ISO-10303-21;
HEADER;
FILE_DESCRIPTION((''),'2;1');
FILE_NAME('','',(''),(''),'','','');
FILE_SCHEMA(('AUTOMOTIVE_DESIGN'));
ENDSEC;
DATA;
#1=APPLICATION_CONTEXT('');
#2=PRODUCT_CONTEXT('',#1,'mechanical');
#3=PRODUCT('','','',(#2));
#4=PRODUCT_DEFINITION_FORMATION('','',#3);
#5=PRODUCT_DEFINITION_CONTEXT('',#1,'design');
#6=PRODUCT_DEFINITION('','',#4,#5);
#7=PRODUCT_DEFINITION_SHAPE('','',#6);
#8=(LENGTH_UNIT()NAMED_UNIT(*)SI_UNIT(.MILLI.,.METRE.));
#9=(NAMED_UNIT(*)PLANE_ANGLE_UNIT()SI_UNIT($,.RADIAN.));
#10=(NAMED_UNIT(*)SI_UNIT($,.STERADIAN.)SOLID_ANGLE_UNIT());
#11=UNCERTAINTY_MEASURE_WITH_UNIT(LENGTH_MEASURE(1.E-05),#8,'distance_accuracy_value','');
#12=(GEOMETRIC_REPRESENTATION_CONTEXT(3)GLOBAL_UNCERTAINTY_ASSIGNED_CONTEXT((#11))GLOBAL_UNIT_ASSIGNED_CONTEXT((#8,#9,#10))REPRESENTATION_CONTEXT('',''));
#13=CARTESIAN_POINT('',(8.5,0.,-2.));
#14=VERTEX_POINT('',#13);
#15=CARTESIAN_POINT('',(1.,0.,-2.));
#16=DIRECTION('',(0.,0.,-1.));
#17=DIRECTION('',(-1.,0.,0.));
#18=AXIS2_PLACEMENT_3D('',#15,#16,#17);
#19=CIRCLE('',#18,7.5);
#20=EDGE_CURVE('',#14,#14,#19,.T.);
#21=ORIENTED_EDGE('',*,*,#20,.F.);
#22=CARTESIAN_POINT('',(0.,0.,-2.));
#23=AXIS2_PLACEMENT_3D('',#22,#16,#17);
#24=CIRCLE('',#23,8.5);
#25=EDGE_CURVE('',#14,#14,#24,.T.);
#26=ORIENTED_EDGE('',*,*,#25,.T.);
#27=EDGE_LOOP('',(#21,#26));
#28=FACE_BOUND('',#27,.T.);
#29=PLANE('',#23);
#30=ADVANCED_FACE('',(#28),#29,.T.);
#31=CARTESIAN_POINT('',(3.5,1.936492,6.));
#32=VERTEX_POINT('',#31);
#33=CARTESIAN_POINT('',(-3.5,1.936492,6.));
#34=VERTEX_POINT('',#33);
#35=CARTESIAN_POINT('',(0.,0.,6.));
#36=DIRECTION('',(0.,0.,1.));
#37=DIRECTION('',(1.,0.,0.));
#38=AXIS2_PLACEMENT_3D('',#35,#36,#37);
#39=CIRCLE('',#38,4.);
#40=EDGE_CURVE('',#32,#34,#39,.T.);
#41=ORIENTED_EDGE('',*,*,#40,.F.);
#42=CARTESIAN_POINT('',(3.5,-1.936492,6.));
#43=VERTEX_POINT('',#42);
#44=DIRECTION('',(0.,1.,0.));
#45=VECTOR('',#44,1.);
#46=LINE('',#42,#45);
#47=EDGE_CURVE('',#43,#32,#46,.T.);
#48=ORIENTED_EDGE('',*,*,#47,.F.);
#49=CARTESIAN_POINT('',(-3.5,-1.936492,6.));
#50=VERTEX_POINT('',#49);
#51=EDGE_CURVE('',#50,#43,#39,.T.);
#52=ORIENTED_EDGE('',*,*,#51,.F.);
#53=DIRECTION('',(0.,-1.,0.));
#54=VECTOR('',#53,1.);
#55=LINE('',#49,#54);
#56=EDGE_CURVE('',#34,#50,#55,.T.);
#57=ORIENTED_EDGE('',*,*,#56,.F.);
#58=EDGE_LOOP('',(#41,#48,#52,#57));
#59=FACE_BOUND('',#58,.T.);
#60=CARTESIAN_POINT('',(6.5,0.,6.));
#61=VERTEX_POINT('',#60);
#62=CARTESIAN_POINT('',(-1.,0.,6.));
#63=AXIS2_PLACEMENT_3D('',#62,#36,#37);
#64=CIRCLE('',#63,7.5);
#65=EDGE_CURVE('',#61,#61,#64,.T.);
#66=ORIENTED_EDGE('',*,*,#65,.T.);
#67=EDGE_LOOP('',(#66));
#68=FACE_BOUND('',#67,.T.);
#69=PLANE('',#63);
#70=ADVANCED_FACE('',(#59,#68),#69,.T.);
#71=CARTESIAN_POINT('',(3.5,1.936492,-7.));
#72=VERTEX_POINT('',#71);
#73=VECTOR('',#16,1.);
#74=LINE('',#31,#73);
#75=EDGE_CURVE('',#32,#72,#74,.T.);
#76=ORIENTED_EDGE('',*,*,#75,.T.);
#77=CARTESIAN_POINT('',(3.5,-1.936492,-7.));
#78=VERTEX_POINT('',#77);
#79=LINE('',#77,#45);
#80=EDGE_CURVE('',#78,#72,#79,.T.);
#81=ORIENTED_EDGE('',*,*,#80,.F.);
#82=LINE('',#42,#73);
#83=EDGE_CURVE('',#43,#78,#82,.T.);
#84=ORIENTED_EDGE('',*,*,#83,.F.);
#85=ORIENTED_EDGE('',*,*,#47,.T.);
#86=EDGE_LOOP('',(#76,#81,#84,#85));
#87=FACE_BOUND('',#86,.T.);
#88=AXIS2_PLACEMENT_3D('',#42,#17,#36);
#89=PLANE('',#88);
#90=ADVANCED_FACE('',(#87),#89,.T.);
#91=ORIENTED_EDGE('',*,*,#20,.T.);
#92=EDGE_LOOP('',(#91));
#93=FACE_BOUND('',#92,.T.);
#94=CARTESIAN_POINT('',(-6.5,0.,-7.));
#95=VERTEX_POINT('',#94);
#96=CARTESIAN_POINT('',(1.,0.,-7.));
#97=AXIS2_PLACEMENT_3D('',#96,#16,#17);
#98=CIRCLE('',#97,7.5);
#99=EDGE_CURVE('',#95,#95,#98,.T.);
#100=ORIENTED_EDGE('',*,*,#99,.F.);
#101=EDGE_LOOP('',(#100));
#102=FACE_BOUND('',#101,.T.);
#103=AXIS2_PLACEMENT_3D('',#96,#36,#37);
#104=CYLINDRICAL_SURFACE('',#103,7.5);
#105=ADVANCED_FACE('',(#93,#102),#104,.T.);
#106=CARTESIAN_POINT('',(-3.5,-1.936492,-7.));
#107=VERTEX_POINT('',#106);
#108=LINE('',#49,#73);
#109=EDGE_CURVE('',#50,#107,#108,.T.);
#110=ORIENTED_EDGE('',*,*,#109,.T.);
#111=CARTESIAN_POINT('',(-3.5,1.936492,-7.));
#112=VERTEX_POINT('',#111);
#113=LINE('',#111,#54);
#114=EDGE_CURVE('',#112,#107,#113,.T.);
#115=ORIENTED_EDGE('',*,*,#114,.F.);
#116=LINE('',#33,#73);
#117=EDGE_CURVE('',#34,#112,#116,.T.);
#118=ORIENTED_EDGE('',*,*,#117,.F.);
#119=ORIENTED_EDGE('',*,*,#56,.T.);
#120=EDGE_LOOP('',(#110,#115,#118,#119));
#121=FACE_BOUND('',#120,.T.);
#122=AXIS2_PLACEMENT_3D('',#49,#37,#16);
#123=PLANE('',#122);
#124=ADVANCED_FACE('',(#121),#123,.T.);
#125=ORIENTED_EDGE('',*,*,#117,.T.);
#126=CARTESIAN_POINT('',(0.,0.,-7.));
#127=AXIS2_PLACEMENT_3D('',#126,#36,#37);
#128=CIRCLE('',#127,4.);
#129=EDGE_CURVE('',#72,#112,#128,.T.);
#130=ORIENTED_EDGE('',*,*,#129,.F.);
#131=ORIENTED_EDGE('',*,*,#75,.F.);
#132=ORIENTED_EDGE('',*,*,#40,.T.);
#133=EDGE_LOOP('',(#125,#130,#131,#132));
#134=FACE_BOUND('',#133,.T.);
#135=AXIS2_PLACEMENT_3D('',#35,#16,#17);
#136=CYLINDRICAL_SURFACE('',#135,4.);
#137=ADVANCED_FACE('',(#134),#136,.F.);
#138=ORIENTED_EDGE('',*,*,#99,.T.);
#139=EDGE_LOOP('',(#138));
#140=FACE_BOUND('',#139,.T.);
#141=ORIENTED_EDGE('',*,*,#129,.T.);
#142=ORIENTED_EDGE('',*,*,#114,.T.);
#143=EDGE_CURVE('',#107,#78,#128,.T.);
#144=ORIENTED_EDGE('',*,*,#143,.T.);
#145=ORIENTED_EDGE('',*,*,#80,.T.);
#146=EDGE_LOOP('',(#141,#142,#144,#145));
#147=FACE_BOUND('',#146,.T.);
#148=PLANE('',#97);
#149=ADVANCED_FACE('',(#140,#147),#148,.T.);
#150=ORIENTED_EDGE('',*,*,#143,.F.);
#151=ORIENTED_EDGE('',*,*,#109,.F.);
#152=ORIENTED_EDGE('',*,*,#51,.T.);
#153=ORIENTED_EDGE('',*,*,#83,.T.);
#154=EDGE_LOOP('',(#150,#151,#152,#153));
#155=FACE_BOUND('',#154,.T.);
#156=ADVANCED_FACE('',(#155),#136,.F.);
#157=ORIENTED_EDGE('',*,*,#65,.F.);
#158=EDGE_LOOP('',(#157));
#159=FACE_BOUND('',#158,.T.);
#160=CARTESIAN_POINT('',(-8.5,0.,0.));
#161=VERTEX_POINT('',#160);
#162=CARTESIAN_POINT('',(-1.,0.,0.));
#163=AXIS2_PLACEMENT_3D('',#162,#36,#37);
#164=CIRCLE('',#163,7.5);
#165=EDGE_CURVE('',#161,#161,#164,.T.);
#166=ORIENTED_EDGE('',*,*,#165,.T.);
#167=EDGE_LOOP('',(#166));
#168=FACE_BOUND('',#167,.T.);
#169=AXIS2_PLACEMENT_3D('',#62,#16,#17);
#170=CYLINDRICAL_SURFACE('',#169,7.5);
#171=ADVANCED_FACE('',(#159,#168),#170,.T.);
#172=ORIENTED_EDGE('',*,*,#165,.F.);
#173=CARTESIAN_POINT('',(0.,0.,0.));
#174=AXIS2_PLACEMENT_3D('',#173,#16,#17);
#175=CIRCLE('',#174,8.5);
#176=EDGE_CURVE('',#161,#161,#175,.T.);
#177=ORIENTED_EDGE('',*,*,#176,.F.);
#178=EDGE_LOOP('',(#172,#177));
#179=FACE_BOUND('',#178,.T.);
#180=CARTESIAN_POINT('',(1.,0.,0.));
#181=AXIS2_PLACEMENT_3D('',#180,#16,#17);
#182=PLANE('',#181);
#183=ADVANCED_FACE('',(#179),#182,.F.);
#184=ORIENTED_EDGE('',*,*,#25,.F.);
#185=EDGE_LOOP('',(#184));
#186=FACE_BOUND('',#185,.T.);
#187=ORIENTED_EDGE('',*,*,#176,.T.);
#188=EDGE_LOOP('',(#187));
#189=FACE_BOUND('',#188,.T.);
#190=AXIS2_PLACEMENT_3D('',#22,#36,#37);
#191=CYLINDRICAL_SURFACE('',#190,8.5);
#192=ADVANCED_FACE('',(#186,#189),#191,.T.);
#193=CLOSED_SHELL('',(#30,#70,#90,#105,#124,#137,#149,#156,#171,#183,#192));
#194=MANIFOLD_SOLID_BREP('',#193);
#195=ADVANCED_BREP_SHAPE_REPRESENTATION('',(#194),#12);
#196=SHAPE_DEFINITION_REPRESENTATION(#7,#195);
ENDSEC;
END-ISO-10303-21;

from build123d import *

# Parameters (mm, degrees)
SKETCH1_R           = 7.5
BOSS_EXTRUDE1_DEPTH = 6
SKETCH2_R           = 7.5
BOSS_EXTRUDE2_DEPTH = 7
CUT_EXTRUDE1_DEPTH  = 14.322912594
BOSS_EXTRUDE3_START = 2
SKETCH4_R           = 8.5
BOSS_EXTRUDE3_DEPTH = 2


with BuildPart() as part:
    # Sketch1 → Boss-Extrude1 (new body)
    with BuildSketch(Plane.XY):
        with Locations((-1, 0)):
            Circle(SKETCH1_R)
        with BuildLine():
            Line((3.5, -1.936491673), (3.5, 1.936491673))
            ThreePointArc((3.5, 1.936491673), (0, 4), (-3.5, 1.936491673))
            Line((-3.5, 1.936491673), (-3.5, -1.936491673))
            ThreePointArc((-3.5, -1.936491673), (0, -4), (3.5, -1.936491673))
        make_face(mode=Mode.SUBTRACT)
    extrude(amount=BOSS_EXTRUDE1_DEPTH)

    # Sketch2 → Boss-Extrude2 (add)
    with BuildSketch(Plane(origin=(0, 0, 0), x_dir=(-1, 0, 0), z_dir=(0, 0, -1))):
        with Locations((-1, 0)):
            Circle(SKETCH2_R)
    extrude(amount=BOSS_EXTRUDE2_DEPTH)

    # Sketch3 → Cut-Extrude1 (cut, through all)
    with BuildSketch(Plane.XY):
        with BuildLine():
            Line((3.5, -1.936491673), (3.5, 1.936491673))
            ThreePointArc((3.5, 1.936491673), (0, 4), (-3.5, 1.936491673))
            Line((-3.5, 1.936491673), (-3.5, -1.936491673))
            ThreePointArc((-3.5, -1.936491673), (0, -4), (3.5, -1.936491673))
        make_face()
    extrude(amount=-CUT_EXTRUDE1_DEPTH, mode=Mode.SUBTRACT)

    # Sketch4 → Boss-Extrude3 (add)
    with BuildSketch(Plane(origin=(0, 0, 0), x_dir=(-1, 0, 0), z_dir=(0, 0, -1)).offset(BOSS_EXTRUDE3_START)):
        Circle(SKETCH4_R)
        with BuildLine():
            Line((3.5, 1.936491673), (3.5, -1.936491673))
            ThreePointArc((3.5, -1.936491673), (0, -4), (-3.5, -1.936491673))
            Line((-3.5, -1.936491673), (-3.5, 1.936491673))
            ThreePointArc((-3.5, 1.936491673), (0, 4), (3.5, 1.936491673))
        make_face(mode=Mode.SUBTRACT)
    extrude(amount=-BOSS_EXTRUDE3_DEPTH)


solid = part.part
